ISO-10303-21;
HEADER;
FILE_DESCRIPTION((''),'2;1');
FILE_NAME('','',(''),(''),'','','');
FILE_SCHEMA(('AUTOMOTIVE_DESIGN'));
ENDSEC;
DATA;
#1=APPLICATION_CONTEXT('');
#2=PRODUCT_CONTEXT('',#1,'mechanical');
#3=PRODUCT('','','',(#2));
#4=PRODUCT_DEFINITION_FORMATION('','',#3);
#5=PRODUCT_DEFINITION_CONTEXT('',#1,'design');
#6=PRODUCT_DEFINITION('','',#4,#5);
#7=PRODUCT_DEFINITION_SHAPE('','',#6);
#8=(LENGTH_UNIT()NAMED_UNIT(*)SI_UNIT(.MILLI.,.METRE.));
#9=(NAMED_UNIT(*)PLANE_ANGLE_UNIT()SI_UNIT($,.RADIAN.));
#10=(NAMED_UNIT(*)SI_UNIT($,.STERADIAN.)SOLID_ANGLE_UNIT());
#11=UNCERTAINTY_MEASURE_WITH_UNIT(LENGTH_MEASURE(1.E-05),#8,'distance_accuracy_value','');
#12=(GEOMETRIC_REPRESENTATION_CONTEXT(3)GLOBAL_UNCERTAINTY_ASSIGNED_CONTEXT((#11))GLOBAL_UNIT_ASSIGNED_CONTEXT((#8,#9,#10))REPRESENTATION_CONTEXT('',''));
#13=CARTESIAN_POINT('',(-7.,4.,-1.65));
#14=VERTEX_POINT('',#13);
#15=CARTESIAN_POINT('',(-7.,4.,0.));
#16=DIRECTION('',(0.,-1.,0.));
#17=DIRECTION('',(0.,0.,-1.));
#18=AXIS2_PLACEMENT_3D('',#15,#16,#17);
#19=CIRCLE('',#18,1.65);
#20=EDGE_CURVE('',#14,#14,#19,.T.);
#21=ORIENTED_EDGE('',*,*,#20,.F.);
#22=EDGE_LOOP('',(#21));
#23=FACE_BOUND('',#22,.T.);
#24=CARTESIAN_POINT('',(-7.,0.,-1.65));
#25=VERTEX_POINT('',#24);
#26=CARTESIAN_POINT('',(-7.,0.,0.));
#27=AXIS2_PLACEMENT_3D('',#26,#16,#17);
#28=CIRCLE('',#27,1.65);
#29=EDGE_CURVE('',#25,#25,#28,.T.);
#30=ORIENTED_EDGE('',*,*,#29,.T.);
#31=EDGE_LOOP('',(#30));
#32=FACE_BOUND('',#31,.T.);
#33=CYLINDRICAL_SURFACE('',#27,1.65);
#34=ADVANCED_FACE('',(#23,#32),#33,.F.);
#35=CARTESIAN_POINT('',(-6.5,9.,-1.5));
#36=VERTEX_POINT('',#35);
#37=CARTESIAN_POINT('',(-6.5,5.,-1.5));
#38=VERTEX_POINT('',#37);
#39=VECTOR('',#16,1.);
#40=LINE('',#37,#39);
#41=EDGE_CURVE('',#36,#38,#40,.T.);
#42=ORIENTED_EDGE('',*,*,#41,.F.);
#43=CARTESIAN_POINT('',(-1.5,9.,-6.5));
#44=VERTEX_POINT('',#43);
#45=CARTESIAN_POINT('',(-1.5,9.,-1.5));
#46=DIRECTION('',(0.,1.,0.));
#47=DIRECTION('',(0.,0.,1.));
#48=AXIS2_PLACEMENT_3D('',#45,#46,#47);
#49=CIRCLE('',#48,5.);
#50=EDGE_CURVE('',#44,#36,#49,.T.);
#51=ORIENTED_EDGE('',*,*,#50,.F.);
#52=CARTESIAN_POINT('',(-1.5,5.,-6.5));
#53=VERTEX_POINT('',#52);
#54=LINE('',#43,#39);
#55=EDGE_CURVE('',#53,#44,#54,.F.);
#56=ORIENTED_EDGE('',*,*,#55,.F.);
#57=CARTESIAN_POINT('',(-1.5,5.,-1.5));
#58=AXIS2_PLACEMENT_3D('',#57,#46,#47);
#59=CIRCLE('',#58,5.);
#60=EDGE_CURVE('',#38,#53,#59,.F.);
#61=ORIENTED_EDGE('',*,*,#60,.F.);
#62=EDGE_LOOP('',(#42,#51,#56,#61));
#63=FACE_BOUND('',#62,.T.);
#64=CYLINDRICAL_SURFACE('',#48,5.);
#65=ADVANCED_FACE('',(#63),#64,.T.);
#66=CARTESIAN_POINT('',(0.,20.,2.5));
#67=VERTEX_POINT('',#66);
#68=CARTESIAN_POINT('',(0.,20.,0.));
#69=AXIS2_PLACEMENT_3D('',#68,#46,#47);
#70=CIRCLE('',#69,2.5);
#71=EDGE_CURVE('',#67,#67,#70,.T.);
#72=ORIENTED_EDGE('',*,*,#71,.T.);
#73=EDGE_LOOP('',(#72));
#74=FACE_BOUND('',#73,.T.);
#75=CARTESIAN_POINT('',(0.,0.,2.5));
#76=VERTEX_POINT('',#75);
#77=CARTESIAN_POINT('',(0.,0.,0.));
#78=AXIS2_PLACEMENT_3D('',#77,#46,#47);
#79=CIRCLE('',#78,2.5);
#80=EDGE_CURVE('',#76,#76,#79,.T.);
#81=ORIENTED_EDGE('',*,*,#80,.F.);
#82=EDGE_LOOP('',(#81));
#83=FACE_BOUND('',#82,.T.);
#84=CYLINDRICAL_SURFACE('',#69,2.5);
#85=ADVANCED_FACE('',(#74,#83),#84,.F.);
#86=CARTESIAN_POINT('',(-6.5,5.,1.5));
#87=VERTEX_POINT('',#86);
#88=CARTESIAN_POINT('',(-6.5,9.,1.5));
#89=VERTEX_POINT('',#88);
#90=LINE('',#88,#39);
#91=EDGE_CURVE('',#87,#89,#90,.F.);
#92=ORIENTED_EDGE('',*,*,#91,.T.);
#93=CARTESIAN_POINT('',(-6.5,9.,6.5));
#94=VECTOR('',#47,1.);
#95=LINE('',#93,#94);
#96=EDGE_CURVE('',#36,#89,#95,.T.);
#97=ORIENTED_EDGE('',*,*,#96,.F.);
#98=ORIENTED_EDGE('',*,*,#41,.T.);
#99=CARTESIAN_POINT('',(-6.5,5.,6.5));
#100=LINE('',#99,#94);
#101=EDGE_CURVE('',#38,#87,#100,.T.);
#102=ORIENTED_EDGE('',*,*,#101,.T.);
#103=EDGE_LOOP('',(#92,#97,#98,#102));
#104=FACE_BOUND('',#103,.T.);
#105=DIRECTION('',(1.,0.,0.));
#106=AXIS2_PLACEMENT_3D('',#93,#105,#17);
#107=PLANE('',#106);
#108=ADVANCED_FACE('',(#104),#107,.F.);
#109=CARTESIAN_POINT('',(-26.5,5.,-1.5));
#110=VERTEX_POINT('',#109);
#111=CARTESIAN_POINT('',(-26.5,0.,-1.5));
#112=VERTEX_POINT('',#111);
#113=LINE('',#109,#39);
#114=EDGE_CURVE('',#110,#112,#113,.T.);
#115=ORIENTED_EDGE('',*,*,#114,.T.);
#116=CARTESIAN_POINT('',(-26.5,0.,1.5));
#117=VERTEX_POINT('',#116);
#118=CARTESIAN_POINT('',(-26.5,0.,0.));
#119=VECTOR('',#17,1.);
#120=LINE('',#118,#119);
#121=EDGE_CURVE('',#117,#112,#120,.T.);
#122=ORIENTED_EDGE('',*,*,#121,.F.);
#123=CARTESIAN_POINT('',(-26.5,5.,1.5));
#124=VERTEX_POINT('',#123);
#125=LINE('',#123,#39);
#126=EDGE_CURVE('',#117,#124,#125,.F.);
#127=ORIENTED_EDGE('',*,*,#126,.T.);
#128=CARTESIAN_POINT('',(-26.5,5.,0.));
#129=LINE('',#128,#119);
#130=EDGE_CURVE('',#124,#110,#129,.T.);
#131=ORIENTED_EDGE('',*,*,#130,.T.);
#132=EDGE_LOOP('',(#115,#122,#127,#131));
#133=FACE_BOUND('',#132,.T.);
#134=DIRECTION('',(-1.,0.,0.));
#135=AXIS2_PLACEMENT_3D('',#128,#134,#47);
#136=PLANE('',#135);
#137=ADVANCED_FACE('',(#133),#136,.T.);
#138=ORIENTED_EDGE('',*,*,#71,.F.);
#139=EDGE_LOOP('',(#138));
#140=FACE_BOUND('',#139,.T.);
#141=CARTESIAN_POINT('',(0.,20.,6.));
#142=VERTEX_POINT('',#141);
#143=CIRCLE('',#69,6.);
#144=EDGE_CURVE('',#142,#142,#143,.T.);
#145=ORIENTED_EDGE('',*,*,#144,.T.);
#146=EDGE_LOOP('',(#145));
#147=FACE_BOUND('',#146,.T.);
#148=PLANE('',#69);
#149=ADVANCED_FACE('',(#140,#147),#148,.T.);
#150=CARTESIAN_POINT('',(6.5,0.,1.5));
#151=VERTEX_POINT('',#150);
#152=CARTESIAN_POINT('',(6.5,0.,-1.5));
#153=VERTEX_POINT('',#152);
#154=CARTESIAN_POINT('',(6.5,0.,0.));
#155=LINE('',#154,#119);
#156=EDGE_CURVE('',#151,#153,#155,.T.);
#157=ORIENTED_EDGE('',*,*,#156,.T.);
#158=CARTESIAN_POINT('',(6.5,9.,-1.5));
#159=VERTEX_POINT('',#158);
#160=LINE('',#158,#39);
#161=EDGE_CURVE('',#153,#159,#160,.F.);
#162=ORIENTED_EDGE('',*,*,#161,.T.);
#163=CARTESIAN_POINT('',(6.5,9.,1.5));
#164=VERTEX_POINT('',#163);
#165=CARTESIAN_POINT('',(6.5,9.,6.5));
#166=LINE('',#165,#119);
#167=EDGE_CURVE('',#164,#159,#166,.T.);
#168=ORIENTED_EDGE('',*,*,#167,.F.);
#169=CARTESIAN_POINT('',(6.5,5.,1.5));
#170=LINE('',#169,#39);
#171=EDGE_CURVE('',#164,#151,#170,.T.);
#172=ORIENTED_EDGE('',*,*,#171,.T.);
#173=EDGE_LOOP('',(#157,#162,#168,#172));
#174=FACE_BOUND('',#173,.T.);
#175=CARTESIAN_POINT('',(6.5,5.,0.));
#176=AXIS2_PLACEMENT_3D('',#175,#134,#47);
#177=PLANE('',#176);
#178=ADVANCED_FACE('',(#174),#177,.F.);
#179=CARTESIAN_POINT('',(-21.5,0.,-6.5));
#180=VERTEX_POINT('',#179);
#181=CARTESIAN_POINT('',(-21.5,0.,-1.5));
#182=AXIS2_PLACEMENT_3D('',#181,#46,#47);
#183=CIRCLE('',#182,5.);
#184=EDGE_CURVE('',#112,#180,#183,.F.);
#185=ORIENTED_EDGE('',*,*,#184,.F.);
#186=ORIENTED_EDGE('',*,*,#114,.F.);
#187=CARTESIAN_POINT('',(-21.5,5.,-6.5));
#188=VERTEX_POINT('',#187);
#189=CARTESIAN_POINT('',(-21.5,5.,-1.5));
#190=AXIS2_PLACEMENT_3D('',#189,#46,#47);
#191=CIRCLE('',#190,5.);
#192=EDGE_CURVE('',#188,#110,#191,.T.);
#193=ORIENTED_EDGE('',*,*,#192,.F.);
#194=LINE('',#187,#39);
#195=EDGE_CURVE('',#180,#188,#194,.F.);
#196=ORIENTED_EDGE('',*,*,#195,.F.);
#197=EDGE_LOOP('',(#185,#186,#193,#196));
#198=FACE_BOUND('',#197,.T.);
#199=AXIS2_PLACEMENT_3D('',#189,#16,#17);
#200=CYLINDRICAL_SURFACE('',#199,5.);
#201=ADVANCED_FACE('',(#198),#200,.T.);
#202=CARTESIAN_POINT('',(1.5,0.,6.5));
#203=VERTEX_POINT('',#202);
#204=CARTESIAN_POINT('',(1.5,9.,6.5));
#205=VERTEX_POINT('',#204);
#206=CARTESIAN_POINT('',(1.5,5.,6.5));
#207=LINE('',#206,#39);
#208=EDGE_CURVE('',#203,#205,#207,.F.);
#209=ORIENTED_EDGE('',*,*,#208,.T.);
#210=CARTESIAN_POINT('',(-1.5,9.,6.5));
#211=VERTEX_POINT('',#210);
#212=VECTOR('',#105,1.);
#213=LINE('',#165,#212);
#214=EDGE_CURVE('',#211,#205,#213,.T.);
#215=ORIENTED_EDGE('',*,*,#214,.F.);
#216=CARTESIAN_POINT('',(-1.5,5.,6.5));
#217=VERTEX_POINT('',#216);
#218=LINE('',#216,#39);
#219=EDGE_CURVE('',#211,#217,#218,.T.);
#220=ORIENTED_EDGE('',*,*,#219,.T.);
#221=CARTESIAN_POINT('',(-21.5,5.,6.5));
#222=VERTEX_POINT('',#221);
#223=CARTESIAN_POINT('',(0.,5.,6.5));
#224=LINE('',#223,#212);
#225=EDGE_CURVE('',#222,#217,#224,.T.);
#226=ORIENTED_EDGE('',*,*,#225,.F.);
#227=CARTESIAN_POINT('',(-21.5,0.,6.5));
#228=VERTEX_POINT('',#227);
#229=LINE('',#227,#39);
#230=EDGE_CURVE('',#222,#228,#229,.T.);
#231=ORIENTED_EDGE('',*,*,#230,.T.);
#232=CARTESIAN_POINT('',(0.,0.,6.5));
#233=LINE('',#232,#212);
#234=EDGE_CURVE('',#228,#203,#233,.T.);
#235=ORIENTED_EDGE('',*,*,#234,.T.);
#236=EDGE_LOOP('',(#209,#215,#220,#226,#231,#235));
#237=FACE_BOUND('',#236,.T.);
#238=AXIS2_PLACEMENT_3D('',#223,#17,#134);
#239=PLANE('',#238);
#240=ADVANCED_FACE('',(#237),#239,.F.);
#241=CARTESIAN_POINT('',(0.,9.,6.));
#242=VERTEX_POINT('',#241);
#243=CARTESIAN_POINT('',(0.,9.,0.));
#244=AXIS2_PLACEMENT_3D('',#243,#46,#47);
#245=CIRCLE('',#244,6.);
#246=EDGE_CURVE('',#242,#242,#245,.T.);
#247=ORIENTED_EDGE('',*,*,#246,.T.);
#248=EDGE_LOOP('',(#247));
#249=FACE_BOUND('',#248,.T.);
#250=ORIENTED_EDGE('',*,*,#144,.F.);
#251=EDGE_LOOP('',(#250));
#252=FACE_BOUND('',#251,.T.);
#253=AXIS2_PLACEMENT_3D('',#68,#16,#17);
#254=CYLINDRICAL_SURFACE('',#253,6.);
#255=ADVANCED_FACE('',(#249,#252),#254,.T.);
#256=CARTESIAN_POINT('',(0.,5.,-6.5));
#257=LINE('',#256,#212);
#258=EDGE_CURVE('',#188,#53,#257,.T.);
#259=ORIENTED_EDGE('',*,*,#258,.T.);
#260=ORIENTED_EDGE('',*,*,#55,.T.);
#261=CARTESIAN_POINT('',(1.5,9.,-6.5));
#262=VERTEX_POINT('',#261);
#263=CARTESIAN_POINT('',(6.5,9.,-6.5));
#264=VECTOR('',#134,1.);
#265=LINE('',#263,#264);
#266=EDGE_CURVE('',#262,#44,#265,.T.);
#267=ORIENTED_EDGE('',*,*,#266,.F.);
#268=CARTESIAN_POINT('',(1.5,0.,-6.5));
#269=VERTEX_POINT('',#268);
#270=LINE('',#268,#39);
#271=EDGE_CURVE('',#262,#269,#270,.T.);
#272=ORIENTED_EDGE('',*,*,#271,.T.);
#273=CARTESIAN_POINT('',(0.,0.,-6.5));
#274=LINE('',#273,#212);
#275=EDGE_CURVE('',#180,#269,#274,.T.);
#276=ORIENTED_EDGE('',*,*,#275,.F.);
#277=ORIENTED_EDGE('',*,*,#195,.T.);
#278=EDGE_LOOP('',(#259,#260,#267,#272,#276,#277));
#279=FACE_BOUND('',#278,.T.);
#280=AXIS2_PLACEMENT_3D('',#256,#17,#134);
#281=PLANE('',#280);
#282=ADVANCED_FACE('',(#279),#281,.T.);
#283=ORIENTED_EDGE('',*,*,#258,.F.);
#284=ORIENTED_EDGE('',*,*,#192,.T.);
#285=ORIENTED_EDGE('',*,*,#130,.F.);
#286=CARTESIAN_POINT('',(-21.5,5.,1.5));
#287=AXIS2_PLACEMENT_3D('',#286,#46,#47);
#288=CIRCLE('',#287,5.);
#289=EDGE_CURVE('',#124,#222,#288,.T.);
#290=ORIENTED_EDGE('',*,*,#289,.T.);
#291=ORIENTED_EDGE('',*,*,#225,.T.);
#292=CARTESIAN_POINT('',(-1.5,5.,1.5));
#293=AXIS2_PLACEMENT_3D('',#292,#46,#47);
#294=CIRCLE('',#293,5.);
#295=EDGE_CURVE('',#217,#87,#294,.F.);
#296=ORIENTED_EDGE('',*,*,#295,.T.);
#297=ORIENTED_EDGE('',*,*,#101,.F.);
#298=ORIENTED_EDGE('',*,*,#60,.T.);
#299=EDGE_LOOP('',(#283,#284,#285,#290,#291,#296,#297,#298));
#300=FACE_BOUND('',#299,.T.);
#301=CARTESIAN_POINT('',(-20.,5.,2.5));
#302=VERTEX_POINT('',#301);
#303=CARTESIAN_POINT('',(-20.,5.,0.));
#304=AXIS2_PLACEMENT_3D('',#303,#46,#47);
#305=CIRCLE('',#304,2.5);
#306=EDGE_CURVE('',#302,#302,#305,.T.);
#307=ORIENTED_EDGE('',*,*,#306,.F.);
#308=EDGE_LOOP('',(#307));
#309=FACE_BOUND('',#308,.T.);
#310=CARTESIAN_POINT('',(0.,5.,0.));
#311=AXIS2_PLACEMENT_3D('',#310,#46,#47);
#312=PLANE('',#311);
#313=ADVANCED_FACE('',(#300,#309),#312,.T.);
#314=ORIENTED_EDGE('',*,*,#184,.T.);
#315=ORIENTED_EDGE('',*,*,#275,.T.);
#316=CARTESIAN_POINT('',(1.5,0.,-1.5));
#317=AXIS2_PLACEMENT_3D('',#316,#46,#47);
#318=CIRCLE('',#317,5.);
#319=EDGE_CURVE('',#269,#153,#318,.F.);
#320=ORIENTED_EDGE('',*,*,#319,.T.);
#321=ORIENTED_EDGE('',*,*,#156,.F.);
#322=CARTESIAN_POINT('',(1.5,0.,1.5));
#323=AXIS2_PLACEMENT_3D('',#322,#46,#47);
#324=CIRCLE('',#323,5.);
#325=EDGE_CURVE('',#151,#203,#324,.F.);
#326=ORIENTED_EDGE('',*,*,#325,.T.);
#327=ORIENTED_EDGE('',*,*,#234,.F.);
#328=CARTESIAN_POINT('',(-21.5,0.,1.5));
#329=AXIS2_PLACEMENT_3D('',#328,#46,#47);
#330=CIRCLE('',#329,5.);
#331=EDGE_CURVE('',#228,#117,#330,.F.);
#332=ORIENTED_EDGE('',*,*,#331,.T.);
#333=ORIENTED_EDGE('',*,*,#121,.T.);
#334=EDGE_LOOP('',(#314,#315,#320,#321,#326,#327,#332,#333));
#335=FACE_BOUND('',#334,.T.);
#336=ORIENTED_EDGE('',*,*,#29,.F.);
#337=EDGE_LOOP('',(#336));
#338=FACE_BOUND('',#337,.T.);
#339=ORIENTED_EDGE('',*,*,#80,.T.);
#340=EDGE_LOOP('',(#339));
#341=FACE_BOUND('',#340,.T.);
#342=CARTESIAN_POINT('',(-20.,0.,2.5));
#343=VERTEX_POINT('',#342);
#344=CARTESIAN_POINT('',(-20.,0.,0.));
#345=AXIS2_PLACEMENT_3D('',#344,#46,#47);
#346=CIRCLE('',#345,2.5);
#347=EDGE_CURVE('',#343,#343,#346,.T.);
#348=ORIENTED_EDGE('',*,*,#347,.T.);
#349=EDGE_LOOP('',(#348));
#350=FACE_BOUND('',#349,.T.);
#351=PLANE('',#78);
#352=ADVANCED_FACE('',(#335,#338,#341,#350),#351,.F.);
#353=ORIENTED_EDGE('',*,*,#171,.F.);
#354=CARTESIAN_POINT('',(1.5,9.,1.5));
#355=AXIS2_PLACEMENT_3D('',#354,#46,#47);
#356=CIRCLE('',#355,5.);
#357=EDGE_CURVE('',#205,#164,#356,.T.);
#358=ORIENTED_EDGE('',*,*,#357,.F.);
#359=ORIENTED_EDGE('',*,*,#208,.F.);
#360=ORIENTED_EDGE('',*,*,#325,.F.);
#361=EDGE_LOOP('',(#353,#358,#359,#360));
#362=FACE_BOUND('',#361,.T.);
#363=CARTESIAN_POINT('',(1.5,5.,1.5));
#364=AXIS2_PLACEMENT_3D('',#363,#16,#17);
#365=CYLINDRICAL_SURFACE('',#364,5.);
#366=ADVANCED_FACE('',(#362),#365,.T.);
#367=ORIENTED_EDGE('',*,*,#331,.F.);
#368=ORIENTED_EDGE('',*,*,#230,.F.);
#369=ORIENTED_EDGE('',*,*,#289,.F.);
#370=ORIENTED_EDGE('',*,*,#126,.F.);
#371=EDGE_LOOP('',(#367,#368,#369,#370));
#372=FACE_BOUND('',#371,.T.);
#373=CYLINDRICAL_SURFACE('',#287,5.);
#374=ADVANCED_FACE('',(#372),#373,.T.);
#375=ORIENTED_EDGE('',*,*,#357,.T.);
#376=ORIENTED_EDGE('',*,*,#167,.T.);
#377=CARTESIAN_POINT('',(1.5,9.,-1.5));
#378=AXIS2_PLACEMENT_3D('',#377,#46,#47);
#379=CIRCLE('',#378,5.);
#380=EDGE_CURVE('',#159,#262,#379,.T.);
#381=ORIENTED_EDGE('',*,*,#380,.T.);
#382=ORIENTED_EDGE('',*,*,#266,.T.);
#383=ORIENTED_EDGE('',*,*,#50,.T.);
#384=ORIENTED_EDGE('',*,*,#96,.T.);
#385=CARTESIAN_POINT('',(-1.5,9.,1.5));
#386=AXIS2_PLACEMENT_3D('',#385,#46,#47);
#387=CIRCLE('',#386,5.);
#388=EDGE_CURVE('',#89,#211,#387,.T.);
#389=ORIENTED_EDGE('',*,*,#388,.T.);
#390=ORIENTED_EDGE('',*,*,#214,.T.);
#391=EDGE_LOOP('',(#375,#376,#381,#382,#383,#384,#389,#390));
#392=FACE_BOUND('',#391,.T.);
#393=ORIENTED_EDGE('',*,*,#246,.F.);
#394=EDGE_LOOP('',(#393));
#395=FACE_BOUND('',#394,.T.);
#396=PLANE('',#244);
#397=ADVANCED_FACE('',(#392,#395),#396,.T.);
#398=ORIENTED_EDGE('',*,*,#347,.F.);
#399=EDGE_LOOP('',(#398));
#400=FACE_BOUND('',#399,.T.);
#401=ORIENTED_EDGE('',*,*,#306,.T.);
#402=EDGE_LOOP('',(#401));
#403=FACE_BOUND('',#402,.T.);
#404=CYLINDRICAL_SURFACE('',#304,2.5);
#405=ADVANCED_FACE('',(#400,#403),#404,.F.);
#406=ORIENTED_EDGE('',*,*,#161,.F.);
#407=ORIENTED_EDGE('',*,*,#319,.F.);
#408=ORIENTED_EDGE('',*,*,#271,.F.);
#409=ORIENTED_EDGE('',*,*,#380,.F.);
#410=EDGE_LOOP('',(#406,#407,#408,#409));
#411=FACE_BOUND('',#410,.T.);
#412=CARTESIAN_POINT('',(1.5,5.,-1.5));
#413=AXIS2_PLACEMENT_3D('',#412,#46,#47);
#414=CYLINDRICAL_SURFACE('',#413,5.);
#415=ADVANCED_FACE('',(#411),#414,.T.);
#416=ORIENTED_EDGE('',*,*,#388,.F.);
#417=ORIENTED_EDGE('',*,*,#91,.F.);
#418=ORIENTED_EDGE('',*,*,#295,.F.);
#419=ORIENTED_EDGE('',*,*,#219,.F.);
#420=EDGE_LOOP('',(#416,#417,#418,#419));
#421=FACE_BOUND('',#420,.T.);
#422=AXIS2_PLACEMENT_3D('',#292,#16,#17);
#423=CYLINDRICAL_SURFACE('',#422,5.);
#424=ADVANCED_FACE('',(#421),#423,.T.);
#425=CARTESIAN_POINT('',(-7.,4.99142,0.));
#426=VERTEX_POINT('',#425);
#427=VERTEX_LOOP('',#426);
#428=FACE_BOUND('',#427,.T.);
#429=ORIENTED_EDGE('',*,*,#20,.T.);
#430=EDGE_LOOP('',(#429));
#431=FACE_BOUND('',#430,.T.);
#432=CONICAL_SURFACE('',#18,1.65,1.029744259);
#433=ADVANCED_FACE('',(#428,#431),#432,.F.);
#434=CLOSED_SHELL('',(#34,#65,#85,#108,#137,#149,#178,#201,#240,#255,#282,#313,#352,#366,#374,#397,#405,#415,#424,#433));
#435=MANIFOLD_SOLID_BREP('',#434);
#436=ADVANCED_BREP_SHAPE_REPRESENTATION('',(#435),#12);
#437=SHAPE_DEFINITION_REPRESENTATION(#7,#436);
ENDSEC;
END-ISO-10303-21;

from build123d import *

# Parameters (mm, degrees)
SKETCH_1_W             = 33
SKETCH_1_H             = 13
SKETCH_1_R             = 2.23020675
EXTRUDE_1_DEPTH        = 5
SKETCH_1_5_R           = 6
EXTRUDE_2_DEPTH        = 20
HOLE_WIZARD_M6_1_D     = 5
HOLE_WIZARD_M6_2_D     = 5
SKETCH_10_W            = 13
SKETCH_10_H            = 13
SKETCH_10_R            = 6
EXTRUDE_3_DEPTH        = 4
HOLE_WIZARD_M4_1_D     = 3.3
HOLE_WIZARD_M4_1_DEPTH = 4
HOLE_WIZARD_M4_1_TIP   = 0.991420021
FILLET_1_R             = 5


with BuildPart() as part:
    # 草图1 → 凸台-拉伸1 (new body)
    with BuildSketch(Plane(origin=(0, 0, 0), x_dir=(1, 0, 0), z_dir=(0, 1, 0))):
        with Locations((-10, 0)):
            Rectangle(SKETCH_1_W, SKETCH_1_H)
        with Locations((-20, 0)):
            Circle(SKETCH_1_R, mode=Mode.SUBTRACT)
    extrude(amount=EXTRUDE_1_DEPTH)

    # 草图1<5> → 凸台-拉伸2 (add)
    with BuildSketch(Plane(origin=(0, 0, 0), x_dir=(1, 0, 0), z_dir=(0, 1, 0))):
        Circle(SKETCH_1_5_R)
    extrude(amount=EXTRUDE_2_DEPTH)

    # M6 螺纹孔1 (through all)
    with Locations(Plane(origin=(0, 20, 0), x_dir=(1, 0, 0), z_dir=(0, 1, 0))):
        with Locations((0, 0)):
            Hole(HOLE_WIZARD_M6_1_D / 2)

    # M6 螺纹孔2 (through all)
    with Locations(Plane(origin=(0, 5, 0), x_dir=(1, 0, 0), z_dir=(0, 1, 0))):
        with Locations((-20, 0)):
            Hole(HOLE_WIZARD_M6_2_D / 2)

    # 草图10 → 凸台-拉伸3 (add)
    with BuildSketch(Plane(origin=(0, 5, 0), x_dir=(1, 0, 0), z_dir=(0, 1, 0))):
        Rectangle(SKETCH_10_W, SKETCH_10_H)
        Circle(SKETCH_10_R, mode=Mode.SUBTRACT)
    extrude(amount=EXTRUDE_3_DEPTH)

    # M4 螺纹孔1
    with Locations(Plane(origin=(0, 0, 0), x_dir=(-1, 0, 0), z_dir=(0, -1, 0))):
        with Locations((7, 0)):
            Hole(HOLE_WIZARD_M4_1_D / 2, depth=HOLE_WIZARD_M4_1_DEPTH)
            with Locations((0, 0, -(HOLE_WIZARD_M4_1_DEPTH + HOLE_WIZARD_M4_1_TIP / 2))):  # 118° drill point
                Cone(0, HOLE_WIZARD_M4_1_D / 2, HOLE_WIZARD_M4_1_TIP, mode=Mode.SUBTRACT)

    # 圆角1
    fillet_1_edges = [part.edges().sort_by_distance(p)[0] for p in [
        (-26.5, 2.5, 6.5),
        (-26.5, 2.5, -6.5),
        (6.5, 4.5, -6.5),
        (6.5, 4.5, 6.5),
        (-6.5, 7, -6.5),
        (-6.5, 7, 6.5),
    ]]
    fillet(fillet_1_edges, radius=FILLET_1_R)


solid = part.part
